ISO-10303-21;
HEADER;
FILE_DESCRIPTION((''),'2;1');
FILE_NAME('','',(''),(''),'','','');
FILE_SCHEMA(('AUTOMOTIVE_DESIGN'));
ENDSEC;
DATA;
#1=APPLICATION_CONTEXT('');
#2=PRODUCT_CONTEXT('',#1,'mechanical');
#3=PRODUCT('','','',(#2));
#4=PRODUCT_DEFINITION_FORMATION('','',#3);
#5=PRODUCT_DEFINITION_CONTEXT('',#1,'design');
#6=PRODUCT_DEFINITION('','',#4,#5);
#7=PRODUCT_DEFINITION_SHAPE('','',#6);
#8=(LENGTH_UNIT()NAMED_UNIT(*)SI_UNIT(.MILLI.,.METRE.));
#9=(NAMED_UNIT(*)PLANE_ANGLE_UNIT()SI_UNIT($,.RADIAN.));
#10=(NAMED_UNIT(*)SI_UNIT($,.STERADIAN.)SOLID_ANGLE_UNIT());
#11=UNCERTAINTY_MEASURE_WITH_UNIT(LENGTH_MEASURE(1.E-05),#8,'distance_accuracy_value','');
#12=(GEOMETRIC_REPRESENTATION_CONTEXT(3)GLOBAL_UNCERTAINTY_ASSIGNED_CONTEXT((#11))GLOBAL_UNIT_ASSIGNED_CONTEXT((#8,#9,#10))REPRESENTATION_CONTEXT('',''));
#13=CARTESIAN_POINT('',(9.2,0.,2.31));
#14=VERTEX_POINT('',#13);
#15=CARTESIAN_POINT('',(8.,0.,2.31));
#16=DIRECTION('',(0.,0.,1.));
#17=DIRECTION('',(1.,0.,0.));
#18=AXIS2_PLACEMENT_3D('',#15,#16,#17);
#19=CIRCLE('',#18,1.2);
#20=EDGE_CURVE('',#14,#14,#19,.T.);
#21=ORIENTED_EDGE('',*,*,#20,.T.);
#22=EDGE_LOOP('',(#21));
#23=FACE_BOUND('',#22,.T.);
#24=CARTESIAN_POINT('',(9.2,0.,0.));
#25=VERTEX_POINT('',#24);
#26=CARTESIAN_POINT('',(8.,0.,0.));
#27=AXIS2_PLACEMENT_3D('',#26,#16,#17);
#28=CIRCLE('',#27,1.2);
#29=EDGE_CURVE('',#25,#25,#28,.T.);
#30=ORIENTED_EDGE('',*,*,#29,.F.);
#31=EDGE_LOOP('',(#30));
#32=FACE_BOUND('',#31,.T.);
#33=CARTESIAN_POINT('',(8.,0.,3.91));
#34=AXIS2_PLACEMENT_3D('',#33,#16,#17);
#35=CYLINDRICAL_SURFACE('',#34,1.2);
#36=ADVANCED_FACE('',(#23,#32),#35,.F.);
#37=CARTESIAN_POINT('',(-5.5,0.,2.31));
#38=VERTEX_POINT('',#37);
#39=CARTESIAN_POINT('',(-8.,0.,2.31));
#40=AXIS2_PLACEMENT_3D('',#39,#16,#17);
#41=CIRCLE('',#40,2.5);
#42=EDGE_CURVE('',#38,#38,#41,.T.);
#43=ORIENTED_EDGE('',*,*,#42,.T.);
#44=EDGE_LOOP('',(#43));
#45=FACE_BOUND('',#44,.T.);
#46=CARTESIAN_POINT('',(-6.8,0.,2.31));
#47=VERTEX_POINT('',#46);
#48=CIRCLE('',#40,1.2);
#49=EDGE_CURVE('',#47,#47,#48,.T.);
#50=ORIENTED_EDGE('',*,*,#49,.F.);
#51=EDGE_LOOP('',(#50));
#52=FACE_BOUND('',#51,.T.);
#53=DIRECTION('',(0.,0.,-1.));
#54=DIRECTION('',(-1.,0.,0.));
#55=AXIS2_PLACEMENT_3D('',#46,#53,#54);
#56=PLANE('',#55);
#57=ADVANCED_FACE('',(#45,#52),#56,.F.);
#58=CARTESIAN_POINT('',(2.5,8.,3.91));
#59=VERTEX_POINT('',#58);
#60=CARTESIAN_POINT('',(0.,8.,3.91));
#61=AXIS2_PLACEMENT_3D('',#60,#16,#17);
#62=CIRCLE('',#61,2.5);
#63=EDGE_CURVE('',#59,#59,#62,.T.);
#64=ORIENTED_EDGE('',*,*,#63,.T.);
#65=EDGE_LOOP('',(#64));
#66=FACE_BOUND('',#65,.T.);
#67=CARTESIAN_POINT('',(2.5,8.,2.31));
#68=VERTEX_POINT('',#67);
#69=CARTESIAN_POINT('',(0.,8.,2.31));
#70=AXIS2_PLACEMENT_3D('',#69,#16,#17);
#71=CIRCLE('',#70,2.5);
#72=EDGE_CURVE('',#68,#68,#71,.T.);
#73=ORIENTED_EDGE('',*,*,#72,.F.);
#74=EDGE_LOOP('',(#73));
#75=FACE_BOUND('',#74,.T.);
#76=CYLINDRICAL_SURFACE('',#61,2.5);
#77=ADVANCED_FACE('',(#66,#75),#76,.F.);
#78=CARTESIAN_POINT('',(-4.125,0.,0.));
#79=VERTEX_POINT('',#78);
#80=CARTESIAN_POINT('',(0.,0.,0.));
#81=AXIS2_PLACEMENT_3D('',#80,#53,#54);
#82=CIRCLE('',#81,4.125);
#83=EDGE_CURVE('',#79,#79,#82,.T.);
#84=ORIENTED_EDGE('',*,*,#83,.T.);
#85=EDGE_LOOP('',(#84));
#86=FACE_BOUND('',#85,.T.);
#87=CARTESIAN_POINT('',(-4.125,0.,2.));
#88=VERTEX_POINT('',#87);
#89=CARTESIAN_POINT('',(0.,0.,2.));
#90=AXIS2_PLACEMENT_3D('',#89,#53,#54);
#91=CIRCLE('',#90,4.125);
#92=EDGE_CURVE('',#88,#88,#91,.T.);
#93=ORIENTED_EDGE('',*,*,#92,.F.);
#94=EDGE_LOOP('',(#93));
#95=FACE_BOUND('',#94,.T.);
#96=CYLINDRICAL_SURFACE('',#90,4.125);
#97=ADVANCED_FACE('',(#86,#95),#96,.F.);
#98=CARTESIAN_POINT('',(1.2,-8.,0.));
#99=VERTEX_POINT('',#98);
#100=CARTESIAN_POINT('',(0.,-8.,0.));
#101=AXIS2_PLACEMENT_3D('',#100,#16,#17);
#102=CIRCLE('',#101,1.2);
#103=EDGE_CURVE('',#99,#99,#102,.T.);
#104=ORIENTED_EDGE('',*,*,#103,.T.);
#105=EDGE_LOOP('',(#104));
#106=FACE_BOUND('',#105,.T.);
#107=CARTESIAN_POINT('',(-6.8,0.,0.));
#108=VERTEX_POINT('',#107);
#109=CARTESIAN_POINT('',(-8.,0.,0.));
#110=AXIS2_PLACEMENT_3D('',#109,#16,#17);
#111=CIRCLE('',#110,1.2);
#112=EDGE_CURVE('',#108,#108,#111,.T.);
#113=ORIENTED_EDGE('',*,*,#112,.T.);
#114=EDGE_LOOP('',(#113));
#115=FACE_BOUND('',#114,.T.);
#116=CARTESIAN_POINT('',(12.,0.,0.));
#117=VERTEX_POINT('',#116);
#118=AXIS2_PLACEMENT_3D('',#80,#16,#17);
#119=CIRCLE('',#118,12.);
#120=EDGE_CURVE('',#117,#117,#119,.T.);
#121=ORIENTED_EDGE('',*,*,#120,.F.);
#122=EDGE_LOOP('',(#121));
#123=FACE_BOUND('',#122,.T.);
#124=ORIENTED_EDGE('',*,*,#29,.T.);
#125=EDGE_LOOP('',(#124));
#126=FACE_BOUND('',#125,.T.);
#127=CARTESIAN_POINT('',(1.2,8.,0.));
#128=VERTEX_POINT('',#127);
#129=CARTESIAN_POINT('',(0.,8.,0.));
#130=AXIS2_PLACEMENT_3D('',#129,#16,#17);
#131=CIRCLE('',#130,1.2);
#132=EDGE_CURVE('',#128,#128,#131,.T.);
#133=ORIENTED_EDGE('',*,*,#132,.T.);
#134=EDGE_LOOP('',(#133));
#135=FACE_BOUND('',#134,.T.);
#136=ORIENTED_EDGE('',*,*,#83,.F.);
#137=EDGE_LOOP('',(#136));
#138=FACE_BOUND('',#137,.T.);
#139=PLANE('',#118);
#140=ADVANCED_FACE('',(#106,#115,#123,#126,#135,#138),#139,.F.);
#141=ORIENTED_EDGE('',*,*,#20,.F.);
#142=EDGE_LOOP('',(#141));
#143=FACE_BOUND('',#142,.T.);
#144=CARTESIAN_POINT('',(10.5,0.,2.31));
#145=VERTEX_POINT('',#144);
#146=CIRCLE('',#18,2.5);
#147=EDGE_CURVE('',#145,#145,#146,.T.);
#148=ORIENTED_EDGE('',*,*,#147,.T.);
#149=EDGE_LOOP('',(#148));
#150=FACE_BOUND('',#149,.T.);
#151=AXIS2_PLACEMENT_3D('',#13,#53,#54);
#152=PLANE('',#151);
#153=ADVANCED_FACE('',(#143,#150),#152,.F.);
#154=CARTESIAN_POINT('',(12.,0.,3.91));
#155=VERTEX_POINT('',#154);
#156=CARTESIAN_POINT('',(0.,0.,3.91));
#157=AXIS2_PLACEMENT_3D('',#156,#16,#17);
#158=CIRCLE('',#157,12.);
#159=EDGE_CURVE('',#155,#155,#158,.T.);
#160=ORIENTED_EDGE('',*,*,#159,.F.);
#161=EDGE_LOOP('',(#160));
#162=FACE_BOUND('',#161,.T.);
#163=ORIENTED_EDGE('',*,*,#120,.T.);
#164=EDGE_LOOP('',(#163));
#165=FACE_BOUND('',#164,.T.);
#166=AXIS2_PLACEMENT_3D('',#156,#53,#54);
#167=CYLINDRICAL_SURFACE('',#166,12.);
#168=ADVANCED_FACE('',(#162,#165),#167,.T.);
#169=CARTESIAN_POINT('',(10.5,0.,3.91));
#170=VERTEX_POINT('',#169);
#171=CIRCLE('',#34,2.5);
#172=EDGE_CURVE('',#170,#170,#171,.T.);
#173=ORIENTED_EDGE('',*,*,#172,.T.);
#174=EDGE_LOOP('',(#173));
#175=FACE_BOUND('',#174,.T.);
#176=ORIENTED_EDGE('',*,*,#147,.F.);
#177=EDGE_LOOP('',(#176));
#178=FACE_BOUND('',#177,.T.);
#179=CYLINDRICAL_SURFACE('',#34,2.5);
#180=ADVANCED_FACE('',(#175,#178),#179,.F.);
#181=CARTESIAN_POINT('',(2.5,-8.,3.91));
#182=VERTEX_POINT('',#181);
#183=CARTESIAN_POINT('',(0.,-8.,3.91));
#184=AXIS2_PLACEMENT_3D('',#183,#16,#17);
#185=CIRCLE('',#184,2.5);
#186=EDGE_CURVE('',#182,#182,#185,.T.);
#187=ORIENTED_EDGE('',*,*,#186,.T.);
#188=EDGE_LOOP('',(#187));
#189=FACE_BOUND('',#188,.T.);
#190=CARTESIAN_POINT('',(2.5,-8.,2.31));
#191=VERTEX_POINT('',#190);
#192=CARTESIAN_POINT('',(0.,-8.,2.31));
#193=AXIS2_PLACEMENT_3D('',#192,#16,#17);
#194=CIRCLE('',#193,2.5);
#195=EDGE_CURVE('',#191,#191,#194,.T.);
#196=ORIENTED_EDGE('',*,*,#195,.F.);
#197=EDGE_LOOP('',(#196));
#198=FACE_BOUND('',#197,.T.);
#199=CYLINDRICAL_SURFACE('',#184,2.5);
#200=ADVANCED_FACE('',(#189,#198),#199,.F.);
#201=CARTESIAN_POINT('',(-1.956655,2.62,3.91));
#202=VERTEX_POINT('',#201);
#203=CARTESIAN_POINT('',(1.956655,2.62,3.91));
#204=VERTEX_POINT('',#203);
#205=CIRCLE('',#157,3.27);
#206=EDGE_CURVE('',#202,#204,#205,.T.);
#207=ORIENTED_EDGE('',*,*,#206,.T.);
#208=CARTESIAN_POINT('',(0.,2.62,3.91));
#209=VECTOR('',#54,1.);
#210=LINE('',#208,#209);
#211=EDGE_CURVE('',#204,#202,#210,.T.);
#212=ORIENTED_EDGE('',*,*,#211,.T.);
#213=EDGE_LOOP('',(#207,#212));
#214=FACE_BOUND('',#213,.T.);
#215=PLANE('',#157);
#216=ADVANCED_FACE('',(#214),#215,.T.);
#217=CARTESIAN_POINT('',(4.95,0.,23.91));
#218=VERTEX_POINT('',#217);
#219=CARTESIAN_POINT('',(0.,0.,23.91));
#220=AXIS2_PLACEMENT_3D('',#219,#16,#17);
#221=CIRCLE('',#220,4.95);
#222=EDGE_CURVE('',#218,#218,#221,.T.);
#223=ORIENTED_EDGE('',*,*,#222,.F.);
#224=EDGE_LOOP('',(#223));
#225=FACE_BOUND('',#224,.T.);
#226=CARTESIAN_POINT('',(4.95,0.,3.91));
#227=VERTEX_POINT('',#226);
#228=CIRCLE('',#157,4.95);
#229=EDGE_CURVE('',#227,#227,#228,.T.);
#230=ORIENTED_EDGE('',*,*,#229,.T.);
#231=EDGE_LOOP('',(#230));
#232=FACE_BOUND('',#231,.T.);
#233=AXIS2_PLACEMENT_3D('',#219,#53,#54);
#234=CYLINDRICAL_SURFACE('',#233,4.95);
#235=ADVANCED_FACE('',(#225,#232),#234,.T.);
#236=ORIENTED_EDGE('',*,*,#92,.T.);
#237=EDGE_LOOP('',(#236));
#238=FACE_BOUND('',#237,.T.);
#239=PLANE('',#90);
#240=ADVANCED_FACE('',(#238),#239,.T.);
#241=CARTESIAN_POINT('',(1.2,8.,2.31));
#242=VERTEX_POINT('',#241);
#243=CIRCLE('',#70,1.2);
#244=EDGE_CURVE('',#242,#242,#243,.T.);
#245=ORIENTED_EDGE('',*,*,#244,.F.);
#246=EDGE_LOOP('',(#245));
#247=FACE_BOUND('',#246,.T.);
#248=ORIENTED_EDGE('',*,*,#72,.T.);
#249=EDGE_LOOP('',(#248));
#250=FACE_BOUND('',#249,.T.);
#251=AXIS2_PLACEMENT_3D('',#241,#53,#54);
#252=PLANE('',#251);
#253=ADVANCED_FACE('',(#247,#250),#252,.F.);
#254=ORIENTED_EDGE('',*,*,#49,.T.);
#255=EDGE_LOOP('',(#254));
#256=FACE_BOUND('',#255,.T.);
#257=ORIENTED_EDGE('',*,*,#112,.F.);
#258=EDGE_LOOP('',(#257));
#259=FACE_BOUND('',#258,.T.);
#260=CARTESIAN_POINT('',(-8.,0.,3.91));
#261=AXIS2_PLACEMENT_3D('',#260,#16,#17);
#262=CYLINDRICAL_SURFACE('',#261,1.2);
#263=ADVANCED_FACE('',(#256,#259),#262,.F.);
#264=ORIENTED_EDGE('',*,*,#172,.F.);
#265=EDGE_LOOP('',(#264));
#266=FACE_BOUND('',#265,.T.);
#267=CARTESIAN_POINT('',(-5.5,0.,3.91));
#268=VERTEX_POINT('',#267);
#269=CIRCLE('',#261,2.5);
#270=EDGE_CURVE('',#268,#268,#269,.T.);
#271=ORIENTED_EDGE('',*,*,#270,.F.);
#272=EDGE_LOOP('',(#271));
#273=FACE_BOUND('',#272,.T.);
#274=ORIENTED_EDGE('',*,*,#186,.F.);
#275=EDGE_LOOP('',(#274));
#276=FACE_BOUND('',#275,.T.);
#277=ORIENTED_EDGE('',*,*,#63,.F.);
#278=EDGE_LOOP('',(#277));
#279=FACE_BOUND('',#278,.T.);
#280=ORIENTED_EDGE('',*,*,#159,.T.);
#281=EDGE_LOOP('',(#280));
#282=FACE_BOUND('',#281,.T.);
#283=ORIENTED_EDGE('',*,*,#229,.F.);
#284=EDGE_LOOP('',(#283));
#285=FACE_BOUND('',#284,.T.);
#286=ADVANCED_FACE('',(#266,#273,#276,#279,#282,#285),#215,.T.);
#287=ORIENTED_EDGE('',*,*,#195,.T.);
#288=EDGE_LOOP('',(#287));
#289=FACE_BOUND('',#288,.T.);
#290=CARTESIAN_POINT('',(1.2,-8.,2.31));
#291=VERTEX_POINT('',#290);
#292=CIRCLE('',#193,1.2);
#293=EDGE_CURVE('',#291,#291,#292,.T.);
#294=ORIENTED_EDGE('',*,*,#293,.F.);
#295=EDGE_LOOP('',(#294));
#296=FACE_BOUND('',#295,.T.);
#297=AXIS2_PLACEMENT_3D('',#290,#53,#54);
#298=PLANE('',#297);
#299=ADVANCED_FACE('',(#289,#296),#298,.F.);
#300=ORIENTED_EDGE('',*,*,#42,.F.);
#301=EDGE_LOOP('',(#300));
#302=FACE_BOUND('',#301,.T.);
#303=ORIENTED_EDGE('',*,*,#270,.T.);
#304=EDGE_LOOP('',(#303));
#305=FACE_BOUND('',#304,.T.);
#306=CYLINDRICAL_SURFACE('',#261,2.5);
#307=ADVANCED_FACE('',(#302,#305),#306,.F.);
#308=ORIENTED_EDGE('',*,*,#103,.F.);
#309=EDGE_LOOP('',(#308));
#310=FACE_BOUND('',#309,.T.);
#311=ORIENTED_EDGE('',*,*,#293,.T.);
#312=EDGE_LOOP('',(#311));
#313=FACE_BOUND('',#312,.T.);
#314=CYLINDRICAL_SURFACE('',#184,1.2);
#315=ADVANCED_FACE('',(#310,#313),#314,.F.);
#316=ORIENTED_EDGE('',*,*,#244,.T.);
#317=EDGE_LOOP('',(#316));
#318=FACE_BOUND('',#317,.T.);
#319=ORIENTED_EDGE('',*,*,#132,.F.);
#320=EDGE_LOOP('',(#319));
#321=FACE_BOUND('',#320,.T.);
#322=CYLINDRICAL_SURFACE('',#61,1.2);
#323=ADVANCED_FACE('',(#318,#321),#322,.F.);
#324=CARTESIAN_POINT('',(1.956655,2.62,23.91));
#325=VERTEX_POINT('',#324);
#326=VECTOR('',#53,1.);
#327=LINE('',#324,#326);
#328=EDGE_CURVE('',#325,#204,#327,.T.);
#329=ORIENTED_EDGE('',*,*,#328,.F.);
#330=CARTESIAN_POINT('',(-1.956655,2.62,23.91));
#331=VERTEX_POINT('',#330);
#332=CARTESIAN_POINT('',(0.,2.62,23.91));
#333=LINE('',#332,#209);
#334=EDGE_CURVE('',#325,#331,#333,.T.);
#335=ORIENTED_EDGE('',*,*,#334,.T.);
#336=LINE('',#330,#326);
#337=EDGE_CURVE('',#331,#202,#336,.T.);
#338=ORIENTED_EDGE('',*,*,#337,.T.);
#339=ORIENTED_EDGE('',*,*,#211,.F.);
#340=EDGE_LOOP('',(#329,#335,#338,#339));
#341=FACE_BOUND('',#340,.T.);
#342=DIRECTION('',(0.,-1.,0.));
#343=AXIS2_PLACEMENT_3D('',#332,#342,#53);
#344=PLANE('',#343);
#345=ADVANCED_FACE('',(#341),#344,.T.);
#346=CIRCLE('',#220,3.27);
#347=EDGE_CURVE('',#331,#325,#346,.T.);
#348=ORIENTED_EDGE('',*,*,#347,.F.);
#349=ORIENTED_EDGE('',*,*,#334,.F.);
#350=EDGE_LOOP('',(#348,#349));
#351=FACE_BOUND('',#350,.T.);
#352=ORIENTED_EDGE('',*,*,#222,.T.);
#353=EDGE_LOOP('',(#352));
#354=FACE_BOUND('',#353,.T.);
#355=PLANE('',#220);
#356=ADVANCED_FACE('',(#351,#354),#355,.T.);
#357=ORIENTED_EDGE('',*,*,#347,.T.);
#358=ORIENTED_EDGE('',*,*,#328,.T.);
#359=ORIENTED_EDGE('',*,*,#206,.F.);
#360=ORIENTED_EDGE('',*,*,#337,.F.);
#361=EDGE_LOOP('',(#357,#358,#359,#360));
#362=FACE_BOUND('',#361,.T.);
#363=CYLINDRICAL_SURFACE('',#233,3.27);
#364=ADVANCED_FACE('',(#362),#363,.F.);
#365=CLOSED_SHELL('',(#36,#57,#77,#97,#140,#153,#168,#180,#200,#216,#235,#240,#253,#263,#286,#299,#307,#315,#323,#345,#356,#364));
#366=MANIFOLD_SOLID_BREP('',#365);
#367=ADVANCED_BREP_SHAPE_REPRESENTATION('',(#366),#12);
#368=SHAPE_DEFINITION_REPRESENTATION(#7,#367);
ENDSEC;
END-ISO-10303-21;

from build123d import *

# Parameters (mm, degrees)
ESQUISSE1_R                                        = 12
BOSS_EXTRU_1_DEPTH                                 = 3.91
ESQUISSE6_R                                        = 4.125
ENL_V_MAT_EXTRU_2_DEPTH                            = 2
BOSS_EXTRU_2_DEPTH                                 = 20
CHAMBRAGE_POUR_VIS_T_TE_RONDE_BOMB_E_M_D           = 2.4
CHAMBRAGE_POUR_VIS_T_TE_RONDE_BOMB_E_M_CBORE_D     = 5
CHAMBRAGE_POUR_VIS_T_TE_RONDE_BOMB_E_M_CBORE_DEPTH = 1.6
R_P_TITION_CIRCULAIRE2_COUNT                       = 4


with BuildPart() as part:
    # Esquisse1 → Boss.-Extru.1 (new body)
    with BuildSketch(Plane.XY):
        Circle(ESQUISSE1_R)
    extrude(amount=BOSS_EXTRU_1_DEPTH)

    # Esquisse6 → Enlèv. mat.-Extru.2 (cut)
    with BuildSketch(Plane(origin=(0, 0, 0), x_dir=(-1, 0, 0), z_dir=(0, 0, -1))):
        Circle(ESQUISSE6_R)
    extrude(amount=-ENL_V_MAT_EXTRU_2_DEPTH, mode=Mode.SUBTRACT)

    # Esquisse7 → Boss.-Extru.2 (add)
    # profile 1 of 2: a face of its own
    with BuildSketch(Plane.XY.offset(3.91)):
        with BuildLine():
            Line((-3.716127016, -3.27), (0, -3.27))
            Line((0, -3.27), (3.716127016, -3.27))
            ThreePointArc((3.716127016, -3.27), (4.631270276, -1.747522714), (4.95, 0))
            ThreePointArc((4.95, 0), (-1.747522714, 4.631270276), (-3.716127016, -3.27))
        make_face()
        with BuildLine():
            Line((-1.956655309, 2.62), (1.956655309, 2.62))
            ThreePointArc((1.956655309, 2.62), (3.103248298, -1.030897667), (0, -3.27))
            ThreePointArc((0, -3.27), (-3.103248298, -1.030897667), (-1.956655309, 2.62))
        make_face(mode=Mode.SUBTRACT)
    # profile 2 of 2: a face of its own
    with BuildSketch(Plane.XY.offset(3.91)):
        with BuildLine():
            Line((3.716127016, -3.27), (0, -3.27))
            Line((0, -3.27), (-3.716127016, -3.27))
            ThreePointArc((-3.716127016, -3.27), (0, -4.95), (3.716127016, -3.27))
        make_face()
    extrude(amount=BOSS_EXTRU_2_DEPTH)

    # Chambrage pour vis à tête ronde bombée M21 (through all)
    with Locations(Plane.XY.offset(3.91)):
        with Locations((0, 8)):
            chambrage_pour_vis_t_te_ronde_bomb_e_m = CounterBoreHole(CHAMBRAGE_POUR_VIS_T_TE_RONDE_BOMB_E_M_D / 2, CHAMBRAGE_POUR_VIS_T_TE_RONDE_BOMB_E_M_CBORE_D / 2, CHAMBRAGE_POUR_VIS_T_TE_RONDE_BOMB_E_M_CBORE_DEPTH)

    # Répétition circulaire2: Chambrage pour vis à tête ronde bombée M21 ×4 about axis
    r_p_tition_circulaire2_axis = Axis((0, 0, 0), (0, 0, 1))
    for i in range(1, R_P_TITION_CIRCULAIRE2_COUNT):
        add(chambrage_pour_vis_t_te_ronde_bomb_e_m.rotate(r_p_tition_circulaire2_axis, i * 360 / R_P_TITION_CIRCULAIRE2_COUNT), mode=Mode.SUBTRACT)


solid = part.part
